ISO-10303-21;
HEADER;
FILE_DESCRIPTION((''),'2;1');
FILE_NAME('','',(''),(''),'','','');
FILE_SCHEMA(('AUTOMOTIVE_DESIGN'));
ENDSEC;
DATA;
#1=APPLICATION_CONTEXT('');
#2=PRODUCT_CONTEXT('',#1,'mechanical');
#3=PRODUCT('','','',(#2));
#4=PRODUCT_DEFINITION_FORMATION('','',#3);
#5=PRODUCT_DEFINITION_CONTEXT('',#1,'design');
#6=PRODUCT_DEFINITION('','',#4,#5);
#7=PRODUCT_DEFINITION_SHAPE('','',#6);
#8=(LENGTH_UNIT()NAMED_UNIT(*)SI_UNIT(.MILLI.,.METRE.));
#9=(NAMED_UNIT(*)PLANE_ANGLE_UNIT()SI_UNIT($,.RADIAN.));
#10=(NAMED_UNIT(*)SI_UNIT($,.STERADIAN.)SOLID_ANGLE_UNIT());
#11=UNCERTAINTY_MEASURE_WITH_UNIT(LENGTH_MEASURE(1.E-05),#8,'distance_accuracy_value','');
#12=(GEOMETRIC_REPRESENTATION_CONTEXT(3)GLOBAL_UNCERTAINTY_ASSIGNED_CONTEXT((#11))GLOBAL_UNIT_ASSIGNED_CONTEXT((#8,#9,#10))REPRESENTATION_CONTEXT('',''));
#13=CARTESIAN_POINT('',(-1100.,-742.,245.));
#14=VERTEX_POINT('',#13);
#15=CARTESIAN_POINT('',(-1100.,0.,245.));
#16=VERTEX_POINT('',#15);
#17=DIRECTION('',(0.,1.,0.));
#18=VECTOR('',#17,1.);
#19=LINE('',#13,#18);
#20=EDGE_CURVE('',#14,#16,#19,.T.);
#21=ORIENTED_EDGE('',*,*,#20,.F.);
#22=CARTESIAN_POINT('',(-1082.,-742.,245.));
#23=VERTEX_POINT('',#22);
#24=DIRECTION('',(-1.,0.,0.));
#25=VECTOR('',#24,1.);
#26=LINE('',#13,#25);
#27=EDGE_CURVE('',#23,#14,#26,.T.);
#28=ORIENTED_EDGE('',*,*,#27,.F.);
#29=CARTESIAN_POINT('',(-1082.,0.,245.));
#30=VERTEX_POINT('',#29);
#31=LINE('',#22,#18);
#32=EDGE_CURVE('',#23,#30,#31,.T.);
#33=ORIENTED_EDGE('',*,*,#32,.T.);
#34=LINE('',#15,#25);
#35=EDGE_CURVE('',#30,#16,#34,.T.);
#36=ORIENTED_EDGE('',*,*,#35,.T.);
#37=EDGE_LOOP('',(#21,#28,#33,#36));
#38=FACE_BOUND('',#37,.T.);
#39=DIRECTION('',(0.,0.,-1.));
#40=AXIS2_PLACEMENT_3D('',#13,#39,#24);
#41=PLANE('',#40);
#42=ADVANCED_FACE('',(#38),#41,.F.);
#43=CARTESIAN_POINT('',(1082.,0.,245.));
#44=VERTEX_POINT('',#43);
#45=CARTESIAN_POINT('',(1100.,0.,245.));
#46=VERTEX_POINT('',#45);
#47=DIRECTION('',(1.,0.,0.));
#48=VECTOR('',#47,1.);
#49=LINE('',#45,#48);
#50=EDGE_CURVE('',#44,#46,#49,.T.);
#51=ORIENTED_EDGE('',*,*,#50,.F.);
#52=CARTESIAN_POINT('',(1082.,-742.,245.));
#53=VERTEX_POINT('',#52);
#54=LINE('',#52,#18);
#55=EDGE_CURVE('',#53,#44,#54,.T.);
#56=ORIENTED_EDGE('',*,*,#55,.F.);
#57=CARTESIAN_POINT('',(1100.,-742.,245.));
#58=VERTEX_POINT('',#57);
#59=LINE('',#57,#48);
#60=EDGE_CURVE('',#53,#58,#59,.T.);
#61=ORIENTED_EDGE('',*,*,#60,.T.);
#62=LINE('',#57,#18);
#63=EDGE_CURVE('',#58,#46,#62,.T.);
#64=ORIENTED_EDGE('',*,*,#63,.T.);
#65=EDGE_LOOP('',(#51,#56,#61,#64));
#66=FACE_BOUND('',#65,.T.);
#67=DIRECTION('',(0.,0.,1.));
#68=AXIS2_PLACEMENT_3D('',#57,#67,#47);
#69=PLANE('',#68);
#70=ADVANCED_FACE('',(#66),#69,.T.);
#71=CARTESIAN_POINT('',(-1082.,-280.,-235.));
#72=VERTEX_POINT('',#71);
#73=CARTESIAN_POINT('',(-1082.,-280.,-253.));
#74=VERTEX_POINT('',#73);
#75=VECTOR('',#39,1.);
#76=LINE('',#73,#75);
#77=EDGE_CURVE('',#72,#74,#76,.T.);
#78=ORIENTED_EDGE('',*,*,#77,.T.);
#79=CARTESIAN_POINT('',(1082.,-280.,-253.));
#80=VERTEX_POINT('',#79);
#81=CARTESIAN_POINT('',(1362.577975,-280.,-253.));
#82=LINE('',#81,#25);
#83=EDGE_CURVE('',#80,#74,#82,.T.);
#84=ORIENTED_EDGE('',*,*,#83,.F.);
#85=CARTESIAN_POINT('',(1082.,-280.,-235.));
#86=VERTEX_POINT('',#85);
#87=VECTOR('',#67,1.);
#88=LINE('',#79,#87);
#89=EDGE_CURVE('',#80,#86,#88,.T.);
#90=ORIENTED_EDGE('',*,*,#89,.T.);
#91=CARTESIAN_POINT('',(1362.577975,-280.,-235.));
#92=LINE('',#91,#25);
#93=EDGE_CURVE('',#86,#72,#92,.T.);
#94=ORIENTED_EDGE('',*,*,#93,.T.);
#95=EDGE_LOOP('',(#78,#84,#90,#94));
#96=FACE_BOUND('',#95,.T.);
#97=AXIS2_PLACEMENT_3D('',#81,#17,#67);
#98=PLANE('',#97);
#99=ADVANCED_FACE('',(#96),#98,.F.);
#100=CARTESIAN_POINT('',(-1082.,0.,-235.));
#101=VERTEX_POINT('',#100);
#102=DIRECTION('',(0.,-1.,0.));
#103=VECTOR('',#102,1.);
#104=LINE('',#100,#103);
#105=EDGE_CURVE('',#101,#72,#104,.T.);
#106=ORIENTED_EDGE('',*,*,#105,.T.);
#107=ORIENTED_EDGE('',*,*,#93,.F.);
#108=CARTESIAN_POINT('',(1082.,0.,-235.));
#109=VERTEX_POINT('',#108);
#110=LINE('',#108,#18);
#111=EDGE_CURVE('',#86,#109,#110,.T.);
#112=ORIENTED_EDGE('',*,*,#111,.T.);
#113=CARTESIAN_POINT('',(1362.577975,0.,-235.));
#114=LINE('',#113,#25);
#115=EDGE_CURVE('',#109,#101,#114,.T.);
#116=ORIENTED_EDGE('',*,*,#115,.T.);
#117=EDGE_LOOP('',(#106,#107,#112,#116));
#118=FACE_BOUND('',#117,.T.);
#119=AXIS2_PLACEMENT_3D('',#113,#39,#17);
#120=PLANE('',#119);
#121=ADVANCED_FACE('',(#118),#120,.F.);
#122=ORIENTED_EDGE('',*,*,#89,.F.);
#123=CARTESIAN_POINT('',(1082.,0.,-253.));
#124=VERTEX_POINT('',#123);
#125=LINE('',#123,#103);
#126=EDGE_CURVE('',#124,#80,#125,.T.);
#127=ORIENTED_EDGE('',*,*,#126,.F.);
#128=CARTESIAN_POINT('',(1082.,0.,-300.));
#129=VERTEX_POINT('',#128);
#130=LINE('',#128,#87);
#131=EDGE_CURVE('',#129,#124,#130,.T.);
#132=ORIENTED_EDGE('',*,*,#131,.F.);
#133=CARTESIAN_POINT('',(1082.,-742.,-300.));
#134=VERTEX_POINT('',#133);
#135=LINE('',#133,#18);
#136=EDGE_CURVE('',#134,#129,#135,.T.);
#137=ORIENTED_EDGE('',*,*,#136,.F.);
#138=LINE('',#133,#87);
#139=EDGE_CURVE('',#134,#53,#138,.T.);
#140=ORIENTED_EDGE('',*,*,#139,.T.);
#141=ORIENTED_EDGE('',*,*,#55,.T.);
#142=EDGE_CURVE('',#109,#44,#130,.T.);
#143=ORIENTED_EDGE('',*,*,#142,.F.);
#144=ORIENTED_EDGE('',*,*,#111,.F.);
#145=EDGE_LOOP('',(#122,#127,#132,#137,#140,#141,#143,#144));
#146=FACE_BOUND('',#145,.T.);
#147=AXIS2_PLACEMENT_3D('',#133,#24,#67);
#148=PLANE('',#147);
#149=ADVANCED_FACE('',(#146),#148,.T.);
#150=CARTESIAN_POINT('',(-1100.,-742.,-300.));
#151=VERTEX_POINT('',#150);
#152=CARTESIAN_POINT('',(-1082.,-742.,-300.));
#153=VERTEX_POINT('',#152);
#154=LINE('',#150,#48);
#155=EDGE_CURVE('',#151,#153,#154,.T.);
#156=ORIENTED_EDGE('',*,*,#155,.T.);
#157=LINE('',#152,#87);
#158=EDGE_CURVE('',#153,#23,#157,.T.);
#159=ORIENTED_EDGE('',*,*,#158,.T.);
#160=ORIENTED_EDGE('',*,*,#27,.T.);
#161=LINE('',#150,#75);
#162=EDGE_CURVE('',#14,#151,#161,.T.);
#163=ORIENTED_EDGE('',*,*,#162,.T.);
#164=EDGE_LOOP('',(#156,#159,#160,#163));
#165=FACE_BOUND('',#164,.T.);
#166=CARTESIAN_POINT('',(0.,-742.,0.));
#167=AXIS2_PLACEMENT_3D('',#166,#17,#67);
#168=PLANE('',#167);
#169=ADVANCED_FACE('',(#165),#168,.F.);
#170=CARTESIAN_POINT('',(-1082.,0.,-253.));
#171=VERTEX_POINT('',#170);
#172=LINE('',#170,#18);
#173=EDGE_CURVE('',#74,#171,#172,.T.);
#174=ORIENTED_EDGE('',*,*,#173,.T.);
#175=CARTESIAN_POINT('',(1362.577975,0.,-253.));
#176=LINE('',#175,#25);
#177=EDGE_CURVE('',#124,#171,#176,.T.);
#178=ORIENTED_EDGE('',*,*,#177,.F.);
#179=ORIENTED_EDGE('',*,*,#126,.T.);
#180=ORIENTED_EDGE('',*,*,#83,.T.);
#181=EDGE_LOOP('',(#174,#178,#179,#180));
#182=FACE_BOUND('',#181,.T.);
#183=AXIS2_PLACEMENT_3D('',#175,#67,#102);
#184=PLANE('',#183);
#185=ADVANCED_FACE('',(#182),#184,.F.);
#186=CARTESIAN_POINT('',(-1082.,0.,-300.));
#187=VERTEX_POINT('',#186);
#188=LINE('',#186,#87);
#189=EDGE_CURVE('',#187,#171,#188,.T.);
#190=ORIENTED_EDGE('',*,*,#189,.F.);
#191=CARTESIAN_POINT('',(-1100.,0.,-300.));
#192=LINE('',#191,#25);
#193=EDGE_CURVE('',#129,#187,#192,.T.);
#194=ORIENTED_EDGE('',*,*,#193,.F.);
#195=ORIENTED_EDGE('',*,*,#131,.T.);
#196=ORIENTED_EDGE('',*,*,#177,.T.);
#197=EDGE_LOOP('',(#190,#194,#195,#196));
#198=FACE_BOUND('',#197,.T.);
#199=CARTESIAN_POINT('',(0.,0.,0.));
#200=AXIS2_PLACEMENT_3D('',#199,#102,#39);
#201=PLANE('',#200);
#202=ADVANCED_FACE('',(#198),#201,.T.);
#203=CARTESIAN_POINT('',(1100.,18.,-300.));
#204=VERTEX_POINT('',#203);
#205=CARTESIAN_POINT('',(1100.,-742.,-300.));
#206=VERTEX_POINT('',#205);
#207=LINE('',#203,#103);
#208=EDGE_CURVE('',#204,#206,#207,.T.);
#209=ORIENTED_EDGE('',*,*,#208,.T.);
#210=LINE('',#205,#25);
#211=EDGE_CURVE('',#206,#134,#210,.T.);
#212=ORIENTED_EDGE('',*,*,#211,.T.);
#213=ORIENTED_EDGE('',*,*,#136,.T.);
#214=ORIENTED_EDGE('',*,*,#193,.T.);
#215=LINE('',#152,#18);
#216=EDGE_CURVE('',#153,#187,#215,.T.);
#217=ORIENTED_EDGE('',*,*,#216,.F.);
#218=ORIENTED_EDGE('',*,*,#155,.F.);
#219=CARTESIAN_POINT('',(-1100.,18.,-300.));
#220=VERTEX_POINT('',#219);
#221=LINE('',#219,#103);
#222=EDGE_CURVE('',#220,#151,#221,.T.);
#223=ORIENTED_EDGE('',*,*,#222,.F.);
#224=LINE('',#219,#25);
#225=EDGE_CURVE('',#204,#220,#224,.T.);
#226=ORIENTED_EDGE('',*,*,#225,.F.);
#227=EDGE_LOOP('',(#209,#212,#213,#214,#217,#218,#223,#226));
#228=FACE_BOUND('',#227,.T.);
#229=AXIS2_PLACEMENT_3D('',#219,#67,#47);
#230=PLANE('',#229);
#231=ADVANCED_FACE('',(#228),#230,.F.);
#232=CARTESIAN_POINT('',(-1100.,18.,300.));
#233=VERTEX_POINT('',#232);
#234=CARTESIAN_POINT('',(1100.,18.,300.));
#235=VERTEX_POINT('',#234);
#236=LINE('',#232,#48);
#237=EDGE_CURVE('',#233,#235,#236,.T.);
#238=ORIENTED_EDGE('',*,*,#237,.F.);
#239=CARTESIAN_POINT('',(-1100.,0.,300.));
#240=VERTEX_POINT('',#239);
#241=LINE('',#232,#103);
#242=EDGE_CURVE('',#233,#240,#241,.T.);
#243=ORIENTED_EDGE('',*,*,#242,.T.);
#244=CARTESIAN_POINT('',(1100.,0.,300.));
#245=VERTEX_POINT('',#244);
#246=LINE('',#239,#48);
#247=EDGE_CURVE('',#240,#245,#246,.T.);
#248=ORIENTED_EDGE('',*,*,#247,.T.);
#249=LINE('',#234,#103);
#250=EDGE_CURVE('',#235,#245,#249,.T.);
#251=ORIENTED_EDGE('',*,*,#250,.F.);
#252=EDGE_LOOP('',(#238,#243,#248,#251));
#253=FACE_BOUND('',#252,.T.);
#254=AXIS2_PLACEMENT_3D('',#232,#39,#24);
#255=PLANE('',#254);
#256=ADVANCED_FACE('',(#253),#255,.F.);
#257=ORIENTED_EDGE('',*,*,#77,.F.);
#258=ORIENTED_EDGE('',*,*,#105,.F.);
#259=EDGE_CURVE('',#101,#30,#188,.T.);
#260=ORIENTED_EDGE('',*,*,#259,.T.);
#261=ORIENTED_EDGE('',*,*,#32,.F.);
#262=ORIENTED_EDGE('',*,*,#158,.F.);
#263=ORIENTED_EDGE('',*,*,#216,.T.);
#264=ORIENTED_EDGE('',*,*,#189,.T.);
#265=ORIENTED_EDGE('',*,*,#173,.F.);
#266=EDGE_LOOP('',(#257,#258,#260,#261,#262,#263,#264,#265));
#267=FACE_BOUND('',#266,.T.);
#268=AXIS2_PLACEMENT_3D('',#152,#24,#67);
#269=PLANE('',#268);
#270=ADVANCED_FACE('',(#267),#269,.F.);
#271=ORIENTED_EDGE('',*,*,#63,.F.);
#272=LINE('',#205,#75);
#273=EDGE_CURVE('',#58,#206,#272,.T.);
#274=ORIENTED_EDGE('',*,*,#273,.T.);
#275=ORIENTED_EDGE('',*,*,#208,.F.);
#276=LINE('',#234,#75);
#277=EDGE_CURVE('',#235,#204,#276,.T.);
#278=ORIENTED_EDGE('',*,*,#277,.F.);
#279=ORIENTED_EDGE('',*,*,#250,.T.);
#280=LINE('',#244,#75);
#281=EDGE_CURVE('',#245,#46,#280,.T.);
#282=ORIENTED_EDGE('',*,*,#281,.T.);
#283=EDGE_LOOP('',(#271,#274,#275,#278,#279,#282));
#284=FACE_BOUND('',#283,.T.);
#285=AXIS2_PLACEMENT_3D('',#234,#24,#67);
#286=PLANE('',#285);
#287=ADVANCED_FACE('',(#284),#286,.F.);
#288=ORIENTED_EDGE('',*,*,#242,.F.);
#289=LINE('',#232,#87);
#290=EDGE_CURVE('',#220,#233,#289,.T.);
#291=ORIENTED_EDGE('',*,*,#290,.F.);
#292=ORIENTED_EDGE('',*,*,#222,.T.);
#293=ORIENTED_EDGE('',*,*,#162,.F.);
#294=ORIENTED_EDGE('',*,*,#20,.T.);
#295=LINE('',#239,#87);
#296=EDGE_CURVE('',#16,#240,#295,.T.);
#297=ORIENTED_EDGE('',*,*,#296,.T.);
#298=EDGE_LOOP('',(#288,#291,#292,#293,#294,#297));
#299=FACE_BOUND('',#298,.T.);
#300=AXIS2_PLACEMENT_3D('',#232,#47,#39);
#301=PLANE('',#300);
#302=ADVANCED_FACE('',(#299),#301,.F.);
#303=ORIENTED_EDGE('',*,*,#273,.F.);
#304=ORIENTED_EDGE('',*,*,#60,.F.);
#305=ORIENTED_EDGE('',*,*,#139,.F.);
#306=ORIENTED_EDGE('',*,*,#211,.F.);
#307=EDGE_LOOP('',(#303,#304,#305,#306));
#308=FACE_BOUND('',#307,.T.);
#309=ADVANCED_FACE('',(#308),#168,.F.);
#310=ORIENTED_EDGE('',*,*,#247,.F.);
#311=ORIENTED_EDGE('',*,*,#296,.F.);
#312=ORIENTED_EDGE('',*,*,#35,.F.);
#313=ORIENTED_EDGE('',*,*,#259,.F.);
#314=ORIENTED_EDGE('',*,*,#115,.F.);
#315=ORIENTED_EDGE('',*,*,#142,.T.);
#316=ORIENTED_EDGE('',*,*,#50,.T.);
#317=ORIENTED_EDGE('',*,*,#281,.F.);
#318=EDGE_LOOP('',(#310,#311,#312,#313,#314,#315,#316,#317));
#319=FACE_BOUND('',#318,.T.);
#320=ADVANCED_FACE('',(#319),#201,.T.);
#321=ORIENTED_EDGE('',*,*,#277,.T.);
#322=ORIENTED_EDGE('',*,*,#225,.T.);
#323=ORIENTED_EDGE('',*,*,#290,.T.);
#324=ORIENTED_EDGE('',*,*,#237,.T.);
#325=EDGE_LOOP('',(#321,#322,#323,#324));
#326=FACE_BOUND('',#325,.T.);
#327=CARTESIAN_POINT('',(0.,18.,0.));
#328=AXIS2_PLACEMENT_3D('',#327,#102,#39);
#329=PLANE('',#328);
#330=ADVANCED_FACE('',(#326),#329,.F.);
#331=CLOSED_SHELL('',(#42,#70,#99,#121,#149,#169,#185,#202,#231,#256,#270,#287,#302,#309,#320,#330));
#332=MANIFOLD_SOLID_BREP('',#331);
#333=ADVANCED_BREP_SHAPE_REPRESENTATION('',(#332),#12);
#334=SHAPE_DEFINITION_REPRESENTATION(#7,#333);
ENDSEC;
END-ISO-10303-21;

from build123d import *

# Parameters (mm, degrees)
SKETCH1_W           = 2200
SKETCH1_H           = 600
BOSS_EXTRUDE1_DEPTH = 18
SKETCH2_W           = 18
SKETCH2_H           = 545
BOSS_EXTRUDE2_DEPTH = 742
SKETCH3_W           = 18
SKETCH3_H           = 280
BOSS_EXTRUDE3_DEPTH = 2164


with BuildPart() as part:
    # Sketch1 → Boss-Extrude1 (new body)
    with BuildSketch(Plane(origin=(0, 0, 0), x_dir=(1, 0, 0), z_dir=(0, 1, 0))):
        Rectangle(SKETCH1_W, SKETCH1_H)
    extrude(amount=BOSS_EXTRUDE1_DEPTH)

    # Sketch2 → Boss-Extrude2 (add)
    with BuildSketch(Plane.XZ):
        with Locations((-1091, -27.5)):
            Rectangle(SKETCH2_W, SKETCH2_H)
    boss_extrude2 = extrude(amount=BOSS_EXTRUDE2_DEPTH)

    # Mirror1: Boss-Extrude2 across plane
    add(boss_extrude2.mirror(Plane(origin=(0, 0, 0), x_dir=(0, 0, 1), z_dir=(1, 0, 0))))

    # Sketch3 → Boss-Extrude3 (add)
    with BuildSketch(Plane(origin=(-1082, 0, 0), x_dir=(0, 0, -1), z_dir=(1, 0, 0))):
        with Locations((244, -140)):
            Rectangle(SKETCH3_W, SKETCH3_H)
    extrude(amount=BOSS_EXTRUDE3_DEPTH)


solid = part.part
